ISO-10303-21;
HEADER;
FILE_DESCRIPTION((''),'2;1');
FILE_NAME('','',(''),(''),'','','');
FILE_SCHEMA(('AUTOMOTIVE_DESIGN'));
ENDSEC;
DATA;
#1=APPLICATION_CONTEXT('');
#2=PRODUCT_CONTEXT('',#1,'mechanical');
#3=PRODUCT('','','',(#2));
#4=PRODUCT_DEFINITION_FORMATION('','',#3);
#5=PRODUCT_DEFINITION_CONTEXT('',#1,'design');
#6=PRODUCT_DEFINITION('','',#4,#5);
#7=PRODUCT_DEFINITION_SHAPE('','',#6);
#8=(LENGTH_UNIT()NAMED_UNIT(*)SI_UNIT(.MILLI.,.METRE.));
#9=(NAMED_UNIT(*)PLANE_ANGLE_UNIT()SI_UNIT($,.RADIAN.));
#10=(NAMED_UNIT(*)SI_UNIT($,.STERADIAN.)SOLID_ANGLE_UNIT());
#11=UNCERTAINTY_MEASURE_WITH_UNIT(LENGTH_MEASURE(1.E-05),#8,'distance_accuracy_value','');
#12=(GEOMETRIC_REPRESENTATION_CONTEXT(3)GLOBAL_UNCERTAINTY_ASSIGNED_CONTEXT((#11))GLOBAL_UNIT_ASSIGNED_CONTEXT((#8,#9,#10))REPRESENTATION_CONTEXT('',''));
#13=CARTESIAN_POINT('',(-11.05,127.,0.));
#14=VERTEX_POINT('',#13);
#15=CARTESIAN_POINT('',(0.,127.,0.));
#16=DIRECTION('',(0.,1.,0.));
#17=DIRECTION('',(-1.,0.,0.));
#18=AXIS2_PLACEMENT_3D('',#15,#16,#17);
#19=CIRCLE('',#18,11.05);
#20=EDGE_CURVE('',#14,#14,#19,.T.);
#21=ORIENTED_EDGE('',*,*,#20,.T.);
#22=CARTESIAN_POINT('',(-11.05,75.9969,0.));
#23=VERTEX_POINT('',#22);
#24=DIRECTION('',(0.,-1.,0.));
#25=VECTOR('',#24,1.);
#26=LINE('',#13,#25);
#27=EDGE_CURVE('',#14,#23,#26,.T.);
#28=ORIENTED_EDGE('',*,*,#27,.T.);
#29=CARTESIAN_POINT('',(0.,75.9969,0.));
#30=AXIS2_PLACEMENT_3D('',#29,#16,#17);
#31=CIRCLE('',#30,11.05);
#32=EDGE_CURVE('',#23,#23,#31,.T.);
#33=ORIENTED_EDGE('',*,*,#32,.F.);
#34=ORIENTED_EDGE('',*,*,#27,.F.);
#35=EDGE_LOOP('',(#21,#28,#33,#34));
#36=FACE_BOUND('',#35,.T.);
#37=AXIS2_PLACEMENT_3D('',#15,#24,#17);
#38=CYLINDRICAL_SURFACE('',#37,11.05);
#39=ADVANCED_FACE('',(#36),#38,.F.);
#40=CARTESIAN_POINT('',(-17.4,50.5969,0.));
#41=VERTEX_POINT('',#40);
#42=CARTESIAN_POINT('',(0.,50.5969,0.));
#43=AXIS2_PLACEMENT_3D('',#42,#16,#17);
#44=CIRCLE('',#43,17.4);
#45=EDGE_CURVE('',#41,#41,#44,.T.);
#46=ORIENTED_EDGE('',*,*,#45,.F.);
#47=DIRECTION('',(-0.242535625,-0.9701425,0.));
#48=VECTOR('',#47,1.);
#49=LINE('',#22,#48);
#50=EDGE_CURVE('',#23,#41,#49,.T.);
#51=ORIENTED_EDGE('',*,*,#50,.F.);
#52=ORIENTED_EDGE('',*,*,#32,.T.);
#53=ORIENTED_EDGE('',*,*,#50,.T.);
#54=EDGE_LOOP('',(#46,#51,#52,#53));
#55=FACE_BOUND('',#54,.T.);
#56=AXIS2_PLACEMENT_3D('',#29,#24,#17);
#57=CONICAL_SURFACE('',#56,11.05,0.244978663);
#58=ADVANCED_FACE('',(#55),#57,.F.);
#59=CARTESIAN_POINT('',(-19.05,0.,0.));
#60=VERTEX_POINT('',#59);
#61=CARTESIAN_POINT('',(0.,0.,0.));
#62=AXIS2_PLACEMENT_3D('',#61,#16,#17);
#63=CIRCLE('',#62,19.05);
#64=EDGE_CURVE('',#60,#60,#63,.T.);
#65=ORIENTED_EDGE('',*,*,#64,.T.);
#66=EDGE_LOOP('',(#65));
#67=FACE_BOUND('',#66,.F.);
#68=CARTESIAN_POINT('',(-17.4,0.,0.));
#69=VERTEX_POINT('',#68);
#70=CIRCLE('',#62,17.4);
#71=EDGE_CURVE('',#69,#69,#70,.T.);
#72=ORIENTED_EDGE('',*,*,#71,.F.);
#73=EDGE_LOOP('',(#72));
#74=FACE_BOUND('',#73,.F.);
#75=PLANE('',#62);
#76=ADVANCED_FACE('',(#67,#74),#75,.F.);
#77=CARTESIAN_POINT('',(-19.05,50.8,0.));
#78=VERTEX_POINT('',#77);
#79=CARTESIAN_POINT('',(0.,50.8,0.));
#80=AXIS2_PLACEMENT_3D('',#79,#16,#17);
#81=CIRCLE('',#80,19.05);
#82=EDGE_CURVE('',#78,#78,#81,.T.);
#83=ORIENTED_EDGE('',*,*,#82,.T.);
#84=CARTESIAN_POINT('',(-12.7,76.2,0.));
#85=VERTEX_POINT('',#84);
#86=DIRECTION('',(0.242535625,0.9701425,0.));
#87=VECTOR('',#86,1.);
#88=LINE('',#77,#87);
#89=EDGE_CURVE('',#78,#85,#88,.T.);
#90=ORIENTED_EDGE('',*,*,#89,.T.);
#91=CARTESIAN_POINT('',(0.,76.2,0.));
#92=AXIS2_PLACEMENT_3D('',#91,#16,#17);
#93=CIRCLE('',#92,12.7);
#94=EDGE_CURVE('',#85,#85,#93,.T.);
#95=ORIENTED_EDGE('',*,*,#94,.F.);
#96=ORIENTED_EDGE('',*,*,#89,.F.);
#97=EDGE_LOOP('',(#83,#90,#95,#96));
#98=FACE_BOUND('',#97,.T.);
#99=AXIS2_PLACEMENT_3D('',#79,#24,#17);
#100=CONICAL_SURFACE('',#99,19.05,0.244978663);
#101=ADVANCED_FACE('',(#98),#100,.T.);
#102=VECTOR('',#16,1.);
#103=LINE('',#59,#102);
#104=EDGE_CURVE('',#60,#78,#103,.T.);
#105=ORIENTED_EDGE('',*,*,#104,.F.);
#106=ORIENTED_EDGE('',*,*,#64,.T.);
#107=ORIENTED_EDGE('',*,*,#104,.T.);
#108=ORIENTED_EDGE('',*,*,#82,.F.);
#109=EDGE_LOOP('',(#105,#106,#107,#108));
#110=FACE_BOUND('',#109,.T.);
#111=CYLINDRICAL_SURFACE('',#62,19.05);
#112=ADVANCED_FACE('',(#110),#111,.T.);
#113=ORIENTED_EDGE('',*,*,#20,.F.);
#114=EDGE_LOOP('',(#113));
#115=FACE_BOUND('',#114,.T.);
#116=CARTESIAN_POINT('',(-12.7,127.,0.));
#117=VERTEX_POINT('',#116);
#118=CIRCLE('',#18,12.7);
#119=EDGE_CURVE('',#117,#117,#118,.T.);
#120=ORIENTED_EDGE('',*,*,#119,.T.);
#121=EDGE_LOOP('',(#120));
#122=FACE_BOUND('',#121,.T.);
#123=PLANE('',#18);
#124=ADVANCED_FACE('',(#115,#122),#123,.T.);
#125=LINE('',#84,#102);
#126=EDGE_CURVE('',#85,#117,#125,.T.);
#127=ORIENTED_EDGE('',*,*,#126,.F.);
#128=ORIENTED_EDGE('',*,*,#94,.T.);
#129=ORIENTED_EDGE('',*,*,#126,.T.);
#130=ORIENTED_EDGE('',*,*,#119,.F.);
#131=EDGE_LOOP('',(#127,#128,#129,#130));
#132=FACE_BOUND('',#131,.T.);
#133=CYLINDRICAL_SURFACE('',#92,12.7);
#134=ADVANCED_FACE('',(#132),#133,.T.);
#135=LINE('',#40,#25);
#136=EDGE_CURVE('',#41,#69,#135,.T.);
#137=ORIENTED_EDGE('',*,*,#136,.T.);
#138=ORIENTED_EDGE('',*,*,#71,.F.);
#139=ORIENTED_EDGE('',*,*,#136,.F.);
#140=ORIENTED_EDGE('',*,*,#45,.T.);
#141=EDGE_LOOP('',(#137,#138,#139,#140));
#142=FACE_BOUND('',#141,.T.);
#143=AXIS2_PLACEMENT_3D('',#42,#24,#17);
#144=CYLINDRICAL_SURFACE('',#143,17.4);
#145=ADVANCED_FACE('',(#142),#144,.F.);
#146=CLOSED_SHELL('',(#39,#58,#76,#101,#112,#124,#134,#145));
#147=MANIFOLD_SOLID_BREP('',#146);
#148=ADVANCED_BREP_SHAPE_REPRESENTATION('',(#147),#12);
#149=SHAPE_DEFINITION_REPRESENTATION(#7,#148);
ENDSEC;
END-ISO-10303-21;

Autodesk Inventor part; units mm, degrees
ref_plane "YZ Plane" through (0, 0, 0) normal (1, 0, 0) x (0, 1, 0)
ref_plane "XZ Plane" through (0, 0, 0) normal (0, 1, 0) x (-1, 0, 0)
ref_plane "XY Plane" through (0, 0, 0) normal (0, 0, 1) x (1, 0, 0)
sketch "Sketch1" plane through (0, 0, 0) normal (0, 0, 1) x (1, 0, 0)
  line L0 (0, 0) -> (0, 68.7718)
  line L1 (0, 0) -> (-35.2548, 0) construction
  line L2 (-19.05, 0) -> (-19.05, 50.8)
  line L3 (-19.05, 50.8) -> (-12.7, 76.2)
  line L4 (-12.7, 76.2) -> (-12.7, 127)
  line L5 (-11.05, 127) -> (-11.05, 75.9969)
  line L6 (-11.05, 75.9969) -> (-17.4, 50.5969)
  line L7 (-17.4, 50.5969) -> (-17.4, 0)
  line L8 (-19.05, 0) -> (-17.4, 0)
  line L9 (-12.7, 127) -> (-11.05, 127)
  dimension "d0" = 1.65
  dimension "d1" = 25.4
  dimension "d2" = 50.8
  dimension "d3" = 50.8
  dimension "d4" = 127
  dimension "d5" = 38.1
revolve "Revolution1" add sketch "Sketch1" angle 360 about axis through (0, 0, 0) along (0, 1, 0)
equation "\"d2\" = 0.4 * d4"
equation "\"d3\" = d2"
properties part number "ASME BPE CON RED-38.1-25.4"
